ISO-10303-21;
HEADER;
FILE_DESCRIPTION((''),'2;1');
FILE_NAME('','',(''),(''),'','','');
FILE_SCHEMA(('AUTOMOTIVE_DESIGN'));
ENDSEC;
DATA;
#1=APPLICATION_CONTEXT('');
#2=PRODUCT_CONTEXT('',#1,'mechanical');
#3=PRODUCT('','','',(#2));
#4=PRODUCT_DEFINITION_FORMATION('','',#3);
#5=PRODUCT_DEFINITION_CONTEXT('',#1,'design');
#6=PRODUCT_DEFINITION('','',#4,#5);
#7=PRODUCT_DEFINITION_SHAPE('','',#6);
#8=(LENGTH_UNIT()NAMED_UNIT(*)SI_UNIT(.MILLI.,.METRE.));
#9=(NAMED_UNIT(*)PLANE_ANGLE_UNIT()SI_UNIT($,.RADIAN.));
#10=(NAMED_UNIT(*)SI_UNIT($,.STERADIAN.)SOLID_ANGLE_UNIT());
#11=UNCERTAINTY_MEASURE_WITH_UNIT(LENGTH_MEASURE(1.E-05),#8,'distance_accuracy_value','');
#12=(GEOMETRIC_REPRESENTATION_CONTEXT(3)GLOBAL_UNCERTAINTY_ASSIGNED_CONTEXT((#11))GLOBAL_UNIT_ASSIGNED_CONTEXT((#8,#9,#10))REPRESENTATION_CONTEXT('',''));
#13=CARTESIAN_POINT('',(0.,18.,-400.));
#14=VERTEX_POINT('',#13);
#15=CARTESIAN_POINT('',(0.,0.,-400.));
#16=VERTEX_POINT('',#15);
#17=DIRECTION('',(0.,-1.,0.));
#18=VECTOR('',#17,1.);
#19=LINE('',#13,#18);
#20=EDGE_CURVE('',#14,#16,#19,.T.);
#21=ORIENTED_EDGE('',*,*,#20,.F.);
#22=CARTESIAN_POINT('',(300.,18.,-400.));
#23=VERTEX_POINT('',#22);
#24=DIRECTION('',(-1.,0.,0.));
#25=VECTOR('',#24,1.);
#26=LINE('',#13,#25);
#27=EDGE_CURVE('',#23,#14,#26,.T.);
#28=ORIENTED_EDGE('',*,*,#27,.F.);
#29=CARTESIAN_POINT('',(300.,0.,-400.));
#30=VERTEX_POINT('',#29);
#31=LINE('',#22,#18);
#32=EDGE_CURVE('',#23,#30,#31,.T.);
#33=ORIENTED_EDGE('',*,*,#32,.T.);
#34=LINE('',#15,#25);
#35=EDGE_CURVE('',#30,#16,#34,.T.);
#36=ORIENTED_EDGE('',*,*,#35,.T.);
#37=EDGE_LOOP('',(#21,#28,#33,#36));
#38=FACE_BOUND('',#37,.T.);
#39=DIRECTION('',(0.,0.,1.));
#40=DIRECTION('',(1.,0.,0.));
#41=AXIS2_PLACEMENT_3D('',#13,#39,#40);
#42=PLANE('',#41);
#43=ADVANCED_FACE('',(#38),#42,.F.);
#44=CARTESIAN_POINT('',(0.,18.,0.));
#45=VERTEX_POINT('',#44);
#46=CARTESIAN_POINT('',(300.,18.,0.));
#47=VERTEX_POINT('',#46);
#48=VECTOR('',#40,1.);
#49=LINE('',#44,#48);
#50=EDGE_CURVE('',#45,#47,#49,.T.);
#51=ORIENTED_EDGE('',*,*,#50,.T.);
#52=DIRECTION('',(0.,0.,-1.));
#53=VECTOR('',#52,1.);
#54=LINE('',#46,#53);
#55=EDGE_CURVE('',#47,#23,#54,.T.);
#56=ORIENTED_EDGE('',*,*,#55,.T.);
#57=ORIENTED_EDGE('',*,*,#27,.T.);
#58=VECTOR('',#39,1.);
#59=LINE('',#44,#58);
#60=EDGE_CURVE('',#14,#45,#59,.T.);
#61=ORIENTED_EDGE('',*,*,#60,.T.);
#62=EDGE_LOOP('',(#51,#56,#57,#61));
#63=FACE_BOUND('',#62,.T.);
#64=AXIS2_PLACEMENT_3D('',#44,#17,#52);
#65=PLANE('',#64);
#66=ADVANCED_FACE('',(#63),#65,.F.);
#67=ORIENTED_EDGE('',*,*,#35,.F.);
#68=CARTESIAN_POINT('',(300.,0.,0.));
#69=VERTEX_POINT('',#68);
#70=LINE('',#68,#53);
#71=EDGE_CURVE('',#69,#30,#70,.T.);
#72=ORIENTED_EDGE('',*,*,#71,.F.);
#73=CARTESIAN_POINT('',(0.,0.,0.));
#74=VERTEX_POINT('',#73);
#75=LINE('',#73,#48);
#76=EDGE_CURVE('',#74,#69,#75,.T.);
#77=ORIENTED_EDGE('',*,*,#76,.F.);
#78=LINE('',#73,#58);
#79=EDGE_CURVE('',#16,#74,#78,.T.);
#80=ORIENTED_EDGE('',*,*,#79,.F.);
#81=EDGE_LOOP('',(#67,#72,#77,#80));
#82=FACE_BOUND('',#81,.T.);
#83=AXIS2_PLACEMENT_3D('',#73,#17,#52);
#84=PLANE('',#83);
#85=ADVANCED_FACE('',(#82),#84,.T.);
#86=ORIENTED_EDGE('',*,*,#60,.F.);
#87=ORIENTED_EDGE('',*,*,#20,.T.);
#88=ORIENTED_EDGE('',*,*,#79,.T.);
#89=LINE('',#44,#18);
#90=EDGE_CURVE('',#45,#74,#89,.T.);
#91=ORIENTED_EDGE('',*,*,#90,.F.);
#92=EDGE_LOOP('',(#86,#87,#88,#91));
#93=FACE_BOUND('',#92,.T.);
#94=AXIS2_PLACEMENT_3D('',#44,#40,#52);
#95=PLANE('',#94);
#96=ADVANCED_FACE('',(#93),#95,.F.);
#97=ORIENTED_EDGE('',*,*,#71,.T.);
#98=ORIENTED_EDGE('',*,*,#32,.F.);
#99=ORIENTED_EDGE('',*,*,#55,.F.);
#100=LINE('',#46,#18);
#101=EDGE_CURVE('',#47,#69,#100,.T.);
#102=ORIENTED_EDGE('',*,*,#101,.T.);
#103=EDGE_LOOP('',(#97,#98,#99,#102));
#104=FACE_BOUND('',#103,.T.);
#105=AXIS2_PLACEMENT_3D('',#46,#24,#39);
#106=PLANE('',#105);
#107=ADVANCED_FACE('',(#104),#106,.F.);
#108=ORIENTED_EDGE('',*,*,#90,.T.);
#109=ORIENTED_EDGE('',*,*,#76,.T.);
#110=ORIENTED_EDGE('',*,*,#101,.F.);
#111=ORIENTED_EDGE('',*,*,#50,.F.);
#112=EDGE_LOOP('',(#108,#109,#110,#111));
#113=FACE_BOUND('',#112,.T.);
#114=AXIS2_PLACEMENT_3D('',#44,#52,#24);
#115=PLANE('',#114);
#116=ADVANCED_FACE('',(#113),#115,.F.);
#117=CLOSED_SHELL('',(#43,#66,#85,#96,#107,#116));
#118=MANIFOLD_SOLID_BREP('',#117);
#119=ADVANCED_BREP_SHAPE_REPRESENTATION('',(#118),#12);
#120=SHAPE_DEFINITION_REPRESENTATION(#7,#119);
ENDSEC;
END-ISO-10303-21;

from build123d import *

# Parameters (mm, degrees)
SKETCH1_W           = 300
SKETCH1_H           = 400
BOSS_EXTRUDE1_DEPTH = 18


with BuildPart() as part:
    # Sketch1 → Boss-Extrude1 (new body)
    with BuildSketch(Plane(origin=(0, 0, 0), x_dir=(1, 0, 0), z_dir=(0, 1, 0))):
        with Locations((150, 200)):
            Rectangle(SKETCH1_W, SKETCH1_H)
    extrude(amount=BOSS_EXTRUDE1_DEPTH)


solid = part.part
